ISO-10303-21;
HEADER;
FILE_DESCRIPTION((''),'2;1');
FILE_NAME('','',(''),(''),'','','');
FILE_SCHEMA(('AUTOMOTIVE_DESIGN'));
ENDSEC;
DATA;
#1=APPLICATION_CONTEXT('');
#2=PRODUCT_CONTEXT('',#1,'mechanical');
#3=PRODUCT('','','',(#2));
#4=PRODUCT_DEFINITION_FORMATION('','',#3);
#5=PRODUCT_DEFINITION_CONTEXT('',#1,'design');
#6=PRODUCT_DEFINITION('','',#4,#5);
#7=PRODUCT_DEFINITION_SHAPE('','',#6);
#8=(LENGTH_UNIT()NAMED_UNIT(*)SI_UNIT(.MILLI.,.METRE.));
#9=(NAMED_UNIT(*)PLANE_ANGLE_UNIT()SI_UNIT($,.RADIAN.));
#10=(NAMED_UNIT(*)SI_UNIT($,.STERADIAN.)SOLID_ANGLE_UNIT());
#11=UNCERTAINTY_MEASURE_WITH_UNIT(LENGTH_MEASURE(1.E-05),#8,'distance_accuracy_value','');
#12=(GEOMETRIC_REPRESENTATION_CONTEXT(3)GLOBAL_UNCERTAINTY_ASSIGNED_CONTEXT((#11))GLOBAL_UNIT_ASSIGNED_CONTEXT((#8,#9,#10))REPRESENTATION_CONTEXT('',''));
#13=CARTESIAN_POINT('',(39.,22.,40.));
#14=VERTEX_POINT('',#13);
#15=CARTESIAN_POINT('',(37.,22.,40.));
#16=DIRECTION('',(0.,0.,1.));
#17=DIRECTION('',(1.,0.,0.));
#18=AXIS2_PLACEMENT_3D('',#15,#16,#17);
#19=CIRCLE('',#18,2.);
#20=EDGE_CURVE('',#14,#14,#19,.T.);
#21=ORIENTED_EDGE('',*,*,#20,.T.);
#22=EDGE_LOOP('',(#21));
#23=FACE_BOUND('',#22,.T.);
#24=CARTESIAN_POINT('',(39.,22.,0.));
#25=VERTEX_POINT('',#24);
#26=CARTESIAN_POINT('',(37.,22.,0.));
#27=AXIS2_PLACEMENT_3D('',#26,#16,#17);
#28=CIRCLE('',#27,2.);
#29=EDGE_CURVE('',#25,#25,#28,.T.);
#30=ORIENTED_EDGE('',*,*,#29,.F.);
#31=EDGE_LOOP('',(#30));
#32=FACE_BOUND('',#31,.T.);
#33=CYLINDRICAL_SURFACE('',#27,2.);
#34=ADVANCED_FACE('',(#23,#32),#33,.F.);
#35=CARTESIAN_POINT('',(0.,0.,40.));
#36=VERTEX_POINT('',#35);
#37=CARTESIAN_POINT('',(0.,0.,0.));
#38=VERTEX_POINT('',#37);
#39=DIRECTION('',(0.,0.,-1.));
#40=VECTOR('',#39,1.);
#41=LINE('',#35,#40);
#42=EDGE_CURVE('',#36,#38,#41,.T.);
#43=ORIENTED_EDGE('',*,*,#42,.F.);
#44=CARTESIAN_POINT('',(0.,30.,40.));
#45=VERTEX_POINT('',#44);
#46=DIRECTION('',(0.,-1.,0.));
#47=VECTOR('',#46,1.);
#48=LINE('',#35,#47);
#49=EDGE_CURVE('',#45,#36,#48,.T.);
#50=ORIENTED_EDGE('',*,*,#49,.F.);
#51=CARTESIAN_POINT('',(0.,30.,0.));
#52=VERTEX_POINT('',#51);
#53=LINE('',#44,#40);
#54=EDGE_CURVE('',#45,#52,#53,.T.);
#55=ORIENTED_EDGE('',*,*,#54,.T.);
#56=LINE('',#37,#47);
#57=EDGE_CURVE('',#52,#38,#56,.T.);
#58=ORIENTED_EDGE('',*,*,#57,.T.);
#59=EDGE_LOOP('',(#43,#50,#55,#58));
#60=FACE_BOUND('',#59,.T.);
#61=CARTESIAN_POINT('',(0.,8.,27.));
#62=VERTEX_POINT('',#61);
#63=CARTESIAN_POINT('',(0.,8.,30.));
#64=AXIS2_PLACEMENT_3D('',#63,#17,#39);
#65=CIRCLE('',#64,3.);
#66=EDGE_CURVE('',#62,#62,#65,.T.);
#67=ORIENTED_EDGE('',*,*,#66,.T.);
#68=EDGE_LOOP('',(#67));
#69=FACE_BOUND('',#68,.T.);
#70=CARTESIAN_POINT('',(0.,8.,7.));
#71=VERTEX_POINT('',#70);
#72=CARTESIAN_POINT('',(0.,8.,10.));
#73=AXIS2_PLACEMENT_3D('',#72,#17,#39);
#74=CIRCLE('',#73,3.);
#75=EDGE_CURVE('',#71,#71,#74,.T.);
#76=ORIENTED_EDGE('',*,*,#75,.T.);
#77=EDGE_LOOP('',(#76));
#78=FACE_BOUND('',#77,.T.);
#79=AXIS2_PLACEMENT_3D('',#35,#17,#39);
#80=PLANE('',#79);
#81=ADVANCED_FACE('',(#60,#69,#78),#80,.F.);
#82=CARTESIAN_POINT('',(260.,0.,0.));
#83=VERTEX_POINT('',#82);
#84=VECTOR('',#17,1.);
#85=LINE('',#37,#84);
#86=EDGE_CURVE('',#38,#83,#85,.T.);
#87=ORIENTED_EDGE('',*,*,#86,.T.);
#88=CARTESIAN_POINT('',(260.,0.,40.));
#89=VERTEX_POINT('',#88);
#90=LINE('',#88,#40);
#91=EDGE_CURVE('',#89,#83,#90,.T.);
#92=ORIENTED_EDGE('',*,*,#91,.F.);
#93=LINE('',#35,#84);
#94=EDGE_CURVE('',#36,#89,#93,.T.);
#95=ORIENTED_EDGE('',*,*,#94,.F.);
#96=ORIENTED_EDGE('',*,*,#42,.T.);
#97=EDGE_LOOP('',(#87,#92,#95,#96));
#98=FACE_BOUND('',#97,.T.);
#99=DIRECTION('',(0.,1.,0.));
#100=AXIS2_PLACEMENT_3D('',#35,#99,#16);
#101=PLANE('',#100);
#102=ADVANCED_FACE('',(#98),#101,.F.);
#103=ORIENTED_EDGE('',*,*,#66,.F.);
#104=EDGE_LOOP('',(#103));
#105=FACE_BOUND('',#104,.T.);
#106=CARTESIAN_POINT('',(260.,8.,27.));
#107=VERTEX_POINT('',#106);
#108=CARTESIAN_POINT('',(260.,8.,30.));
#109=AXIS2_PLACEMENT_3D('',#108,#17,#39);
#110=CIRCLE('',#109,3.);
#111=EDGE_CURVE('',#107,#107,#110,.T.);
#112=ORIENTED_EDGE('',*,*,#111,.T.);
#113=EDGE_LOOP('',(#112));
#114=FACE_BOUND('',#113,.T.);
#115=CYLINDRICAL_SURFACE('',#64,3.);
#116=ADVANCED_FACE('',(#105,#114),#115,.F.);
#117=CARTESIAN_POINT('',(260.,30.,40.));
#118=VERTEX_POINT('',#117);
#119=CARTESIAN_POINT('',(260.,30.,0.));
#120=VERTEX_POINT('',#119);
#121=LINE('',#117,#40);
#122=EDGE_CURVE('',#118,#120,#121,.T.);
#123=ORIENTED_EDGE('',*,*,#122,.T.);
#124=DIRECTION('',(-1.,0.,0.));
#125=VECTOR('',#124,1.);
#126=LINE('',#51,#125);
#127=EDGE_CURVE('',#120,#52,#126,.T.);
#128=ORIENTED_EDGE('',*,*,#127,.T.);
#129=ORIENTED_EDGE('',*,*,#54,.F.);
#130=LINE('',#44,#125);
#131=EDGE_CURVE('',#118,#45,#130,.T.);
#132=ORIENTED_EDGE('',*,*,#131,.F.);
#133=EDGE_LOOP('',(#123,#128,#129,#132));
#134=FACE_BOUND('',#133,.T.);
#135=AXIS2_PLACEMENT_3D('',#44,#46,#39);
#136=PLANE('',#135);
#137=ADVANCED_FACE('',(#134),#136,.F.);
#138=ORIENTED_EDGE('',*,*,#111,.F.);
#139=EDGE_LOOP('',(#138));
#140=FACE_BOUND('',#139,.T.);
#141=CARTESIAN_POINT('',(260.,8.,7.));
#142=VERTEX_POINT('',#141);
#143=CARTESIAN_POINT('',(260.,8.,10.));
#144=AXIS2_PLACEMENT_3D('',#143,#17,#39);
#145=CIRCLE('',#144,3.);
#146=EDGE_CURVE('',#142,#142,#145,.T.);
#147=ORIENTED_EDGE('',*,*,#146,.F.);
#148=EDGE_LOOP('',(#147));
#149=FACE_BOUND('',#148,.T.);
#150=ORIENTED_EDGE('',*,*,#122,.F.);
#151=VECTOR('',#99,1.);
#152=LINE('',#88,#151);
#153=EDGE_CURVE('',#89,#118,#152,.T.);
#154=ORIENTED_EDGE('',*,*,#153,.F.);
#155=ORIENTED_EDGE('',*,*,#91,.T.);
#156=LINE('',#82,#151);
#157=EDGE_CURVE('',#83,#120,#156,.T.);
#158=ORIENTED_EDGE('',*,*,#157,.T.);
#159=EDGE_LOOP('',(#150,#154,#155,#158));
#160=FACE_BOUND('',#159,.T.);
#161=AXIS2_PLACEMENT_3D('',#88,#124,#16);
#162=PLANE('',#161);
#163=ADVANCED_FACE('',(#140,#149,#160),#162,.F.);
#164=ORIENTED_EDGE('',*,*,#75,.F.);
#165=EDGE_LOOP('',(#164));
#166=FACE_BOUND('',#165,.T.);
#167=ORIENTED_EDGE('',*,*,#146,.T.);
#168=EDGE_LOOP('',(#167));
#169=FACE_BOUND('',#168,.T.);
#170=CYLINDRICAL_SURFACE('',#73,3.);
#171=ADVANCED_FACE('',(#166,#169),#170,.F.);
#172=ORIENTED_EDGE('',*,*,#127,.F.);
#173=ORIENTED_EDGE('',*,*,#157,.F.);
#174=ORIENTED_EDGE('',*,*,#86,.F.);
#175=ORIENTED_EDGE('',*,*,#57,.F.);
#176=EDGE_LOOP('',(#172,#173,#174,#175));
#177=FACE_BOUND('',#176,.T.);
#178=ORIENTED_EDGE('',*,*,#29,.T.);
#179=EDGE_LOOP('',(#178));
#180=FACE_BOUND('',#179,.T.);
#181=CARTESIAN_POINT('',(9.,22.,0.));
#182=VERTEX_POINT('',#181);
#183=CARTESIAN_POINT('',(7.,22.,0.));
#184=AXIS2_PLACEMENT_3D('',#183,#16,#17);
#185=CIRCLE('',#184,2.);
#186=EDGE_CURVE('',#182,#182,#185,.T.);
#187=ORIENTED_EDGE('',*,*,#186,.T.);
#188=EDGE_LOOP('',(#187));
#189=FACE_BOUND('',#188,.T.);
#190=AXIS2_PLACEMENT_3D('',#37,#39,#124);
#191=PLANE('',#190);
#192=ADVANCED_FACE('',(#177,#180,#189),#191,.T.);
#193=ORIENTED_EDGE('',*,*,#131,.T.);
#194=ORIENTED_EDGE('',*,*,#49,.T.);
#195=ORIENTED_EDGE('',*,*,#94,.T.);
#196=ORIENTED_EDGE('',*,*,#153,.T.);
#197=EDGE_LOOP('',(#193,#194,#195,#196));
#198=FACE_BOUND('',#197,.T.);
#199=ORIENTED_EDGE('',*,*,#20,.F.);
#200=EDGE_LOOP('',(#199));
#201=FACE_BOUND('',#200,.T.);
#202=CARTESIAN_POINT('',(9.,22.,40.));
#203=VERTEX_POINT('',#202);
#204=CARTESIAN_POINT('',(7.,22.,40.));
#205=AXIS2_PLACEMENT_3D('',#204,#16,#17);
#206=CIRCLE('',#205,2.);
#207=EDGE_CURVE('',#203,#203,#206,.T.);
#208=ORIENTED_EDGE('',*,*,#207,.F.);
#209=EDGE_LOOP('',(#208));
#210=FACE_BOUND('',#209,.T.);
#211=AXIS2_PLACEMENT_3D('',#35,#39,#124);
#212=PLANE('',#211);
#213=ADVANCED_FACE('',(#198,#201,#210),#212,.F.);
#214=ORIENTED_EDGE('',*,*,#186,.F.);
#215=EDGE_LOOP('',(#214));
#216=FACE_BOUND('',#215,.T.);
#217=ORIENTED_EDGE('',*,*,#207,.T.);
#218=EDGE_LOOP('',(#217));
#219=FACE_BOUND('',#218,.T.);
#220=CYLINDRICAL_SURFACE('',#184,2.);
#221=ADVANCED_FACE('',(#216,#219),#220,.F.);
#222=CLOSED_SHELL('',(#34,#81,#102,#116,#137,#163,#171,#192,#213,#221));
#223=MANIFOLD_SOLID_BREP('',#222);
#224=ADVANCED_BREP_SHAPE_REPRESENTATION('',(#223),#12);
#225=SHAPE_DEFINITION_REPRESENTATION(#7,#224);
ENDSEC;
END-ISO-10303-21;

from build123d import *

# Parameters (mm, degrees)
SKETCH1_W               = 260
SKETCH1_H               = 30
BOSS_EXTRUDE1_DEPTH     = 40
ESQUISSE1_R             = 2
ENL_V_MAT_EXTRU_1_DEPTH = 265.764045897
ESQUISSE2_R             = 3
ENL_V_MAT_EXTRU_2_DEPTH = 265.764045897


with BuildPart() as part:
    # Sketch1 → Boss-Extrude1 (new body)
    with BuildSketch(Plane.XY):
        with Locations((130, 15)):
            Rectangle(SKETCH1_W, SKETCH1_H)
    extrude(amount=BOSS_EXTRUDE1_DEPTH)

    # Esquisse1 → Enlèv. mat.-Extru.1 (cut, through all)
    with BuildSketch(Plane.XY.offset(40)):
        with Locations((7, 22)):
            Circle(ESQUISSE1_R)
        with Locations((37, 22)):
            Circle(ESQUISSE1_R)
    extrude(amount=-ENL_V_MAT_EXTRU_1_DEPTH, mode=Mode.SUBTRACT)

    # Esquisse2 → Enlèv. mat.-Extru.2 (cut, through all)
    with BuildSketch(Plane(origin=(260, 0, 0), x_dir=(0, 0, -1), z_dir=(1, 0, 0))):
        with Locations((-10, 8)):
            Circle(ESQUISSE2_R)
        with Locations((-30, 8)):
            Circle(ESQUISSE2_R)
    extrude(amount=-ENL_V_MAT_EXTRU_2_DEPTH, mode=Mode.SUBTRACT)


solid = part.part
